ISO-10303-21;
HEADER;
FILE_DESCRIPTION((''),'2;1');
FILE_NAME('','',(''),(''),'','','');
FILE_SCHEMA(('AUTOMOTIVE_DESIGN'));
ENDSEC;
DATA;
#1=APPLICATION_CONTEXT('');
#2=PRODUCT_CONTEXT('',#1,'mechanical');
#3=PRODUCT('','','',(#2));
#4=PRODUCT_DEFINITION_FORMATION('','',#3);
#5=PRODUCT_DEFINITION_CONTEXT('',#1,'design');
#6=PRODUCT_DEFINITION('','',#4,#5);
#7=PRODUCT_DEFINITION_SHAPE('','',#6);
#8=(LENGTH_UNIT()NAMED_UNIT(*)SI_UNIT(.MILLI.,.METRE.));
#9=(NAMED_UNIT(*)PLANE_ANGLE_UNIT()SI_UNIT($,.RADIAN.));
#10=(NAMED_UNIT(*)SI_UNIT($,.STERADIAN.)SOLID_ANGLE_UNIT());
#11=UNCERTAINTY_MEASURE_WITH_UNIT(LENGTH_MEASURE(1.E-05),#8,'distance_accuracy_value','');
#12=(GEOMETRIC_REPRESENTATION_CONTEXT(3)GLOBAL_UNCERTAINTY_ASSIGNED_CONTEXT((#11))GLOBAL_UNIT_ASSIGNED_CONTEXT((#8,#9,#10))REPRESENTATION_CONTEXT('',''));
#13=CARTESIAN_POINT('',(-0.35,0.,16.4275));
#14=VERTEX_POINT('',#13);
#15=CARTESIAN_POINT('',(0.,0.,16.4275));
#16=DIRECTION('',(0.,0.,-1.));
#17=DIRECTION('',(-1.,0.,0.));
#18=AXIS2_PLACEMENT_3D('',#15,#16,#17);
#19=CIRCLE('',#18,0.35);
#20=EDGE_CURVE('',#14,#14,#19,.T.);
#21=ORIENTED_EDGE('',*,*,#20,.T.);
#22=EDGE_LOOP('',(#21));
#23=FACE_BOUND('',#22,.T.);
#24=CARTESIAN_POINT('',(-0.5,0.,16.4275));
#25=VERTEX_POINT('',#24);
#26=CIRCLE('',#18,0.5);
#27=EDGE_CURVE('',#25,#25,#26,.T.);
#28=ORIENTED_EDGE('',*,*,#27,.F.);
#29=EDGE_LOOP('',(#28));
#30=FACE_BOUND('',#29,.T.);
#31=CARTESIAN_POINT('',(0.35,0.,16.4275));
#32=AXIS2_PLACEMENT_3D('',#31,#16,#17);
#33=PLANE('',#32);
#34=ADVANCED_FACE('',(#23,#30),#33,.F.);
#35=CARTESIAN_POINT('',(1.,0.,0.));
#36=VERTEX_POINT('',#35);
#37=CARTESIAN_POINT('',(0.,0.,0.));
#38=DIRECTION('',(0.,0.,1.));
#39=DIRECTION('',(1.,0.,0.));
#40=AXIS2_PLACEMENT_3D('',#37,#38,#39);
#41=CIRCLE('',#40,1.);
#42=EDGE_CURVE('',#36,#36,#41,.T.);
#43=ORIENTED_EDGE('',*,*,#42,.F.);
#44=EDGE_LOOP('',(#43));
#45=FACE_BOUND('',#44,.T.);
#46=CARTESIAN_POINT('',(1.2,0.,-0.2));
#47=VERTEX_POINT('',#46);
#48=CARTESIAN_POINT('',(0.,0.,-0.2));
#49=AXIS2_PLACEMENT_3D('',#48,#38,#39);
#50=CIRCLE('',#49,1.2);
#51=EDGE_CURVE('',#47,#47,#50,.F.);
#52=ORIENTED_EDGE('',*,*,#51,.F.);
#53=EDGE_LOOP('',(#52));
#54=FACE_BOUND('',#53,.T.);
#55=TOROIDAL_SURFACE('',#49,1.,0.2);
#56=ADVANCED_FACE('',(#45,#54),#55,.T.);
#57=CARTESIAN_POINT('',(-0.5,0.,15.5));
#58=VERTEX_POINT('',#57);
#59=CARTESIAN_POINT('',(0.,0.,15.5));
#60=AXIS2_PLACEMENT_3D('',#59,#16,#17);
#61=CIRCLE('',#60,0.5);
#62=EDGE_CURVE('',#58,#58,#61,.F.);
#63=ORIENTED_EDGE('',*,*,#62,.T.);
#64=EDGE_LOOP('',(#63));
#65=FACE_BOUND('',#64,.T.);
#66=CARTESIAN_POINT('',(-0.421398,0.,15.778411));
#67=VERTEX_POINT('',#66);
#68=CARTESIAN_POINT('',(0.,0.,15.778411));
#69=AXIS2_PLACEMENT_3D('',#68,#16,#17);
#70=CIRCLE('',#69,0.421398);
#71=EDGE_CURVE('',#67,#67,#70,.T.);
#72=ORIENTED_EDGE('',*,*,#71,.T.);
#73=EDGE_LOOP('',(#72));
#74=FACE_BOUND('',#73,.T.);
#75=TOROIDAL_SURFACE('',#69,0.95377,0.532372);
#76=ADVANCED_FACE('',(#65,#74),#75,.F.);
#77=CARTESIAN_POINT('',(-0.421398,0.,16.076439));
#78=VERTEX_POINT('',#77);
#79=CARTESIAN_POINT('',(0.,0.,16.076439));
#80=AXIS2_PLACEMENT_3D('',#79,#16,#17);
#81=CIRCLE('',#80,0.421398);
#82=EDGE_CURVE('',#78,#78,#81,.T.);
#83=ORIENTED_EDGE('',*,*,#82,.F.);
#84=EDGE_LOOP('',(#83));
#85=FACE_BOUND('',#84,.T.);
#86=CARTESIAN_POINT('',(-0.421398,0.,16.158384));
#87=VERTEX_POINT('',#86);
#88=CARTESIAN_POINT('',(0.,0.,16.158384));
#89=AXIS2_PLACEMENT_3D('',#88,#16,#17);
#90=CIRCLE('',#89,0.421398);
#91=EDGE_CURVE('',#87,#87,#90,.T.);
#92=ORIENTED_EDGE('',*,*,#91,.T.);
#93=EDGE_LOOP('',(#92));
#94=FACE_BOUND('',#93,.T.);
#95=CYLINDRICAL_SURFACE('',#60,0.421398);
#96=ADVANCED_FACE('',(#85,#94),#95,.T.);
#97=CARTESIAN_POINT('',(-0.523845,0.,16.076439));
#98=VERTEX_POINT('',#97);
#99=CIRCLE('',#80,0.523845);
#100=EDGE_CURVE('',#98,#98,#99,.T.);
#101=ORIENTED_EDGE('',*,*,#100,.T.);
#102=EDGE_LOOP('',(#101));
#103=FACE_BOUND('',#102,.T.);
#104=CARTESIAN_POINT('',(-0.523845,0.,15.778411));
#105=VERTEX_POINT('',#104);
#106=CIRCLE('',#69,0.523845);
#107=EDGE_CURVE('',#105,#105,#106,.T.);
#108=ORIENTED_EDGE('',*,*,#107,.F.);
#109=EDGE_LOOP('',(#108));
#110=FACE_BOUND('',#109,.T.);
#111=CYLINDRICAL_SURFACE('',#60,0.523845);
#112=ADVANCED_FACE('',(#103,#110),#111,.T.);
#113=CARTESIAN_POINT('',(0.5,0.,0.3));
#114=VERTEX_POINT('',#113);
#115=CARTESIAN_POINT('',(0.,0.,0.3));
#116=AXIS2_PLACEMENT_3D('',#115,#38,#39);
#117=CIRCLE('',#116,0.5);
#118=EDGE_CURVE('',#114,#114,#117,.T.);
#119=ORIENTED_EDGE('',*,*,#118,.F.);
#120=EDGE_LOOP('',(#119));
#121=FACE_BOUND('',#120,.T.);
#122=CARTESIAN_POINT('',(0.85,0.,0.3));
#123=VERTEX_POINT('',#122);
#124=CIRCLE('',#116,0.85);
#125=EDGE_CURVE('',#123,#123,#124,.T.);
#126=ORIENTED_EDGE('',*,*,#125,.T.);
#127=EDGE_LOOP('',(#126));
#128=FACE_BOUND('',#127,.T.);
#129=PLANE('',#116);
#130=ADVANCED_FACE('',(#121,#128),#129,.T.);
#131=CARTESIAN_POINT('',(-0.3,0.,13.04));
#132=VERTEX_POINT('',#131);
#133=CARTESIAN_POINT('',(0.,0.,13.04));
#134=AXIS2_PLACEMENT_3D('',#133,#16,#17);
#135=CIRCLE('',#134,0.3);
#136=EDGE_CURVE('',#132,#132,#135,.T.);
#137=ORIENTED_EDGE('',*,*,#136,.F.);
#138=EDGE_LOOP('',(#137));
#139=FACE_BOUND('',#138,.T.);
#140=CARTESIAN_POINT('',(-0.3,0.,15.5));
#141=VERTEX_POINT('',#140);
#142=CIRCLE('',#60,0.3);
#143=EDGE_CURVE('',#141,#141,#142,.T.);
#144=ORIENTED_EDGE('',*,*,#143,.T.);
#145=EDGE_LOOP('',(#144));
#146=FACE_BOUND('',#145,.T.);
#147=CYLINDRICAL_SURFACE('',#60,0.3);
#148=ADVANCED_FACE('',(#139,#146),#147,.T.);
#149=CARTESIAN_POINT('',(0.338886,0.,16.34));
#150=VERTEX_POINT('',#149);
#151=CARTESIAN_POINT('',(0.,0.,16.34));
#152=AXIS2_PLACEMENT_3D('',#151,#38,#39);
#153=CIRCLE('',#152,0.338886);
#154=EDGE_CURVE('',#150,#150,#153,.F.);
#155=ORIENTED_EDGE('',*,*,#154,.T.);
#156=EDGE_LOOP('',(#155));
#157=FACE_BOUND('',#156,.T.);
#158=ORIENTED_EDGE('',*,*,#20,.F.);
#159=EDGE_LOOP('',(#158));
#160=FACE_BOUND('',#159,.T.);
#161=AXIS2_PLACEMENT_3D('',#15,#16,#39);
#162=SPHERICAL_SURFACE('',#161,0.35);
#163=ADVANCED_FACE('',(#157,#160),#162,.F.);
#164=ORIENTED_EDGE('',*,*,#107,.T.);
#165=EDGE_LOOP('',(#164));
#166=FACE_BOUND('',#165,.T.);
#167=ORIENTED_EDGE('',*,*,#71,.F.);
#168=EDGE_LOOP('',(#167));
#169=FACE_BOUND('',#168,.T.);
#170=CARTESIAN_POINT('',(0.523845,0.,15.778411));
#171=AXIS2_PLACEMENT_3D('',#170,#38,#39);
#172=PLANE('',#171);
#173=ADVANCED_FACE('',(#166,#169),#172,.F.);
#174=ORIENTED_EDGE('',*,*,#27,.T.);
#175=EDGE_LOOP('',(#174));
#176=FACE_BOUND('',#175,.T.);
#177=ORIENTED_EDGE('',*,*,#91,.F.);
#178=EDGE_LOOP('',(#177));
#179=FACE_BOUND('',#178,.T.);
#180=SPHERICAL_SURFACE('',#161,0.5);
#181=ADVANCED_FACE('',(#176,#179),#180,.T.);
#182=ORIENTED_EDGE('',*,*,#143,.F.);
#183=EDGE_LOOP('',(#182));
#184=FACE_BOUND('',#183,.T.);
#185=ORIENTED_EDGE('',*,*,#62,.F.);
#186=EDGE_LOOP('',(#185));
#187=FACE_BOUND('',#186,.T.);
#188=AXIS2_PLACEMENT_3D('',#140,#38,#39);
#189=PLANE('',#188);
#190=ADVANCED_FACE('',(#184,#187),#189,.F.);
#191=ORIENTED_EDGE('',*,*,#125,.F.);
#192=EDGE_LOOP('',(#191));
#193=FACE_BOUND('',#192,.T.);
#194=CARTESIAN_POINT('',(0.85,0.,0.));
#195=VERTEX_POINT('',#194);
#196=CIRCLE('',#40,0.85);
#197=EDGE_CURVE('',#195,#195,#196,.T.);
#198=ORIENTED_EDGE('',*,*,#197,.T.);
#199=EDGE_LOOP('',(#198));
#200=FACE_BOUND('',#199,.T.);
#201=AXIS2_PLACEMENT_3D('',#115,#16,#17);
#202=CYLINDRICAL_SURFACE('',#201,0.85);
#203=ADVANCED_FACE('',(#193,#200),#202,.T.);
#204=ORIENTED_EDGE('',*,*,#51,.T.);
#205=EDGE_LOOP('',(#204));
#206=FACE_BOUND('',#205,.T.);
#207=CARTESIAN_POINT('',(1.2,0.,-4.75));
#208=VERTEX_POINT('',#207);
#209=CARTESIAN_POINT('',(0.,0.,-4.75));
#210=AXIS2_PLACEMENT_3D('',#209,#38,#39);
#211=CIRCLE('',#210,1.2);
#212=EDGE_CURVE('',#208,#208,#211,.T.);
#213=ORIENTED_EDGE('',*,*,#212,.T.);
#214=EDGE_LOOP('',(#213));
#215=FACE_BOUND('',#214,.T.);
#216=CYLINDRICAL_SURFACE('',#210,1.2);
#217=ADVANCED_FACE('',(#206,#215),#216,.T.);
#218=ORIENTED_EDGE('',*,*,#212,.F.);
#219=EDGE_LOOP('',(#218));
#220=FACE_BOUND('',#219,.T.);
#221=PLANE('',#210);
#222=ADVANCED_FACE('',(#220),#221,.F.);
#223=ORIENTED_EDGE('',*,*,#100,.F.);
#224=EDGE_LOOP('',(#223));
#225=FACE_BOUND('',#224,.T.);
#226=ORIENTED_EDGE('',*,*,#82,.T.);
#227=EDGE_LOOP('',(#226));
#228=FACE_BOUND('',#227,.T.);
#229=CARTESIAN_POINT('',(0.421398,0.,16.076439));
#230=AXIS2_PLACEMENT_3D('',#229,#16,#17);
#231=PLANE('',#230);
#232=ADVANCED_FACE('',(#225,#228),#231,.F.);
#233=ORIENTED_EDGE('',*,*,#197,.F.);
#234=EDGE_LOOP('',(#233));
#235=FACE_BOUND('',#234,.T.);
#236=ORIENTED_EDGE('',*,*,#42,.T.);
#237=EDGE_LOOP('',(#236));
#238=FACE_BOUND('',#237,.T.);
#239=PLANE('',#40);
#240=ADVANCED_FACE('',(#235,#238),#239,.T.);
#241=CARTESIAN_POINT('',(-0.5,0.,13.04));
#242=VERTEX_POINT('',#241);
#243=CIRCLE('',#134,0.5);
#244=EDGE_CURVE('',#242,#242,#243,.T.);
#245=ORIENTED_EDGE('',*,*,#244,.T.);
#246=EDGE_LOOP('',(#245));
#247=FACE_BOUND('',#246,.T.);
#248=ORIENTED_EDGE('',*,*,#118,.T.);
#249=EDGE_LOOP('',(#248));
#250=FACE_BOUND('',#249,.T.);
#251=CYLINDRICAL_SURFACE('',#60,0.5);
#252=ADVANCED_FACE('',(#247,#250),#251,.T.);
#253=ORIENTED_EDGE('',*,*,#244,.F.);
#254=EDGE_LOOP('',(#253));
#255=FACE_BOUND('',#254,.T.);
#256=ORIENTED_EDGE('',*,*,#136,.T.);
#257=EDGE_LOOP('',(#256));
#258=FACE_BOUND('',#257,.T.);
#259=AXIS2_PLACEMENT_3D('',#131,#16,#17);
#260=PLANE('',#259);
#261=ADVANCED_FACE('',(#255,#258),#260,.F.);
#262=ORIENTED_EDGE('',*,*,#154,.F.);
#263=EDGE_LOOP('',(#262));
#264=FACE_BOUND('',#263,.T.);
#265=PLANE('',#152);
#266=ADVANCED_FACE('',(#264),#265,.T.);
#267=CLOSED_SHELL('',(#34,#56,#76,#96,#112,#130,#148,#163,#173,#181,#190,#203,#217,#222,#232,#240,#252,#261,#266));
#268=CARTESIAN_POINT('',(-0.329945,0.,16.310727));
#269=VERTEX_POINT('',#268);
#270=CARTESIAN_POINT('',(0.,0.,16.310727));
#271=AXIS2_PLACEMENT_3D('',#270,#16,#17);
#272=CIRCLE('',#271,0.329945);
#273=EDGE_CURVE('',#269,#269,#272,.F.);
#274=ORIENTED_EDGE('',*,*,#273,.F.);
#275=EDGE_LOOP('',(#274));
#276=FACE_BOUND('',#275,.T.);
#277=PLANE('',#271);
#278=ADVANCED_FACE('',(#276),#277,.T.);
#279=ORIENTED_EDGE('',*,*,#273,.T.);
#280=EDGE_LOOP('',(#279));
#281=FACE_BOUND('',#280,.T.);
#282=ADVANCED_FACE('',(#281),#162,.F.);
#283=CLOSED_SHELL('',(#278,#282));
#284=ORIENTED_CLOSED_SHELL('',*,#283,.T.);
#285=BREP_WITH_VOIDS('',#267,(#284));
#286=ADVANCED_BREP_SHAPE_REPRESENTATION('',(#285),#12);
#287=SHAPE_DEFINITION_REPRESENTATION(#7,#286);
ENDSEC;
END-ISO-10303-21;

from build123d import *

# Parameters (mm, degrees)
SKETCH2_R           = 0.5
BOSS_EXTRUDE1_DEPTH = 15.5
SKETCH2_3_R         = 1.2
BOSS_EXTRUDE2_DEPTH = 4.75
FILLET1_R           = 0.2
SKETCH3_R           = 0.85
BOSS_EXTRUDE3_DEPTH = 0.3
SKETCH5_W           = 0.452483434
SKETCH5_H           = 0.029273323
SKETCH6_W           = 1.07619714
SKETCH6_H           = 2.46


with BuildPart() as part:
    # Sketch2 → Boss-Extrude1 (new body)
    with BuildSketch(Plane.XY):
        Circle(SKETCH2_R)
    extrude(amount=BOSS_EXTRUDE1_DEPTH)

    # Sketch2<3> → Boss-Extrude2 (add)
    with BuildSketch(Plane.XY):
        Circle(SKETCH2_3_R)
    extrude(amount=-BOSS_EXTRUDE2_DEPTH)

    # Fillet1
    fillet1_edges = [part.edges().sort_by_distance(p)[0] for p in [
        (-1.2, 0, 0),
    ]]
    fillet(fillet1_edges, radius=FILLET1_R)

    # Sketch3 → Boss-Extrude3 (add)
    with BuildSketch(Plane.XY):
        Circle(SKETCH3_R)
    extrude(amount=BOSS_EXTRUDE3_DEPTH)

    # Sketch4 → Revolve1 (revolve)
    with BuildSketch(Plane(origin=(0, 0, 0), x_dir=(1, 0, 0), z_dir=(0, 1, 0))):
        with BuildLine():
            Line((0.5, -15.5), (0, -15.5))
            Line((0, -15.5), (0, -16.0775))
            ThreePointArc((0, -16.0775), (0.247487373, -16.180012627), (0.35, -16.4275))
            Line((0.35, -16.4275), (0.5, -16.4275))
            ThreePointArc((0.5, -16.4275), (0.479947408, -16.287319809), (0.421398056, -16.158383523))
            Line((0.421398056, -16.158383523), (0.421398056, -16.076439057))
            Line((0.421398056, -16.076439057), (0.523845222, -16.076439057))
            Line((0.523845222, -16.076439057), (0.523845222, -15.778410938))
            Line((0.523845222, -15.778410938), (0.421398056, -15.778410938))
            ThreePointArc((0.421398056, -15.778410938), (0.441425242, -15.633764027), (0.5, -15.5))
        make_face()
    revolve(axis=Axis((0, 0, 15.5), (0, 0, 1)))

    # Sketch5 → Revolve2 (revolve)
    with BuildSketch(Plane(origin=(0, 0, 0), x_dir=(1, 0, 0), z_dir=(0, 1, 0))):
        with Locations((-0.226241717, -16.325363339)):
            Rectangle(SKETCH5_W, SKETCH5_H)
    revolve(axis=Axis((0, 0, 15.5), (0, 0, 1)))

    # Sketch6 → Cut-Revolve1 (revolve, cut)
    with BuildSketch(Plane(origin=(0, 0, 0), x_dir=(1, 0, 0), z_dir=(0, 1, 0))):
        with Locations((-0.83809857, -14.27)):
            Rectangle(SKETCH6_W, SKETCH6_H)
    revolve(axis=Axis((0, 0, 15.5), (0, 0, 1)), mode=Mode.SUBTRACT)


solid = part.part
